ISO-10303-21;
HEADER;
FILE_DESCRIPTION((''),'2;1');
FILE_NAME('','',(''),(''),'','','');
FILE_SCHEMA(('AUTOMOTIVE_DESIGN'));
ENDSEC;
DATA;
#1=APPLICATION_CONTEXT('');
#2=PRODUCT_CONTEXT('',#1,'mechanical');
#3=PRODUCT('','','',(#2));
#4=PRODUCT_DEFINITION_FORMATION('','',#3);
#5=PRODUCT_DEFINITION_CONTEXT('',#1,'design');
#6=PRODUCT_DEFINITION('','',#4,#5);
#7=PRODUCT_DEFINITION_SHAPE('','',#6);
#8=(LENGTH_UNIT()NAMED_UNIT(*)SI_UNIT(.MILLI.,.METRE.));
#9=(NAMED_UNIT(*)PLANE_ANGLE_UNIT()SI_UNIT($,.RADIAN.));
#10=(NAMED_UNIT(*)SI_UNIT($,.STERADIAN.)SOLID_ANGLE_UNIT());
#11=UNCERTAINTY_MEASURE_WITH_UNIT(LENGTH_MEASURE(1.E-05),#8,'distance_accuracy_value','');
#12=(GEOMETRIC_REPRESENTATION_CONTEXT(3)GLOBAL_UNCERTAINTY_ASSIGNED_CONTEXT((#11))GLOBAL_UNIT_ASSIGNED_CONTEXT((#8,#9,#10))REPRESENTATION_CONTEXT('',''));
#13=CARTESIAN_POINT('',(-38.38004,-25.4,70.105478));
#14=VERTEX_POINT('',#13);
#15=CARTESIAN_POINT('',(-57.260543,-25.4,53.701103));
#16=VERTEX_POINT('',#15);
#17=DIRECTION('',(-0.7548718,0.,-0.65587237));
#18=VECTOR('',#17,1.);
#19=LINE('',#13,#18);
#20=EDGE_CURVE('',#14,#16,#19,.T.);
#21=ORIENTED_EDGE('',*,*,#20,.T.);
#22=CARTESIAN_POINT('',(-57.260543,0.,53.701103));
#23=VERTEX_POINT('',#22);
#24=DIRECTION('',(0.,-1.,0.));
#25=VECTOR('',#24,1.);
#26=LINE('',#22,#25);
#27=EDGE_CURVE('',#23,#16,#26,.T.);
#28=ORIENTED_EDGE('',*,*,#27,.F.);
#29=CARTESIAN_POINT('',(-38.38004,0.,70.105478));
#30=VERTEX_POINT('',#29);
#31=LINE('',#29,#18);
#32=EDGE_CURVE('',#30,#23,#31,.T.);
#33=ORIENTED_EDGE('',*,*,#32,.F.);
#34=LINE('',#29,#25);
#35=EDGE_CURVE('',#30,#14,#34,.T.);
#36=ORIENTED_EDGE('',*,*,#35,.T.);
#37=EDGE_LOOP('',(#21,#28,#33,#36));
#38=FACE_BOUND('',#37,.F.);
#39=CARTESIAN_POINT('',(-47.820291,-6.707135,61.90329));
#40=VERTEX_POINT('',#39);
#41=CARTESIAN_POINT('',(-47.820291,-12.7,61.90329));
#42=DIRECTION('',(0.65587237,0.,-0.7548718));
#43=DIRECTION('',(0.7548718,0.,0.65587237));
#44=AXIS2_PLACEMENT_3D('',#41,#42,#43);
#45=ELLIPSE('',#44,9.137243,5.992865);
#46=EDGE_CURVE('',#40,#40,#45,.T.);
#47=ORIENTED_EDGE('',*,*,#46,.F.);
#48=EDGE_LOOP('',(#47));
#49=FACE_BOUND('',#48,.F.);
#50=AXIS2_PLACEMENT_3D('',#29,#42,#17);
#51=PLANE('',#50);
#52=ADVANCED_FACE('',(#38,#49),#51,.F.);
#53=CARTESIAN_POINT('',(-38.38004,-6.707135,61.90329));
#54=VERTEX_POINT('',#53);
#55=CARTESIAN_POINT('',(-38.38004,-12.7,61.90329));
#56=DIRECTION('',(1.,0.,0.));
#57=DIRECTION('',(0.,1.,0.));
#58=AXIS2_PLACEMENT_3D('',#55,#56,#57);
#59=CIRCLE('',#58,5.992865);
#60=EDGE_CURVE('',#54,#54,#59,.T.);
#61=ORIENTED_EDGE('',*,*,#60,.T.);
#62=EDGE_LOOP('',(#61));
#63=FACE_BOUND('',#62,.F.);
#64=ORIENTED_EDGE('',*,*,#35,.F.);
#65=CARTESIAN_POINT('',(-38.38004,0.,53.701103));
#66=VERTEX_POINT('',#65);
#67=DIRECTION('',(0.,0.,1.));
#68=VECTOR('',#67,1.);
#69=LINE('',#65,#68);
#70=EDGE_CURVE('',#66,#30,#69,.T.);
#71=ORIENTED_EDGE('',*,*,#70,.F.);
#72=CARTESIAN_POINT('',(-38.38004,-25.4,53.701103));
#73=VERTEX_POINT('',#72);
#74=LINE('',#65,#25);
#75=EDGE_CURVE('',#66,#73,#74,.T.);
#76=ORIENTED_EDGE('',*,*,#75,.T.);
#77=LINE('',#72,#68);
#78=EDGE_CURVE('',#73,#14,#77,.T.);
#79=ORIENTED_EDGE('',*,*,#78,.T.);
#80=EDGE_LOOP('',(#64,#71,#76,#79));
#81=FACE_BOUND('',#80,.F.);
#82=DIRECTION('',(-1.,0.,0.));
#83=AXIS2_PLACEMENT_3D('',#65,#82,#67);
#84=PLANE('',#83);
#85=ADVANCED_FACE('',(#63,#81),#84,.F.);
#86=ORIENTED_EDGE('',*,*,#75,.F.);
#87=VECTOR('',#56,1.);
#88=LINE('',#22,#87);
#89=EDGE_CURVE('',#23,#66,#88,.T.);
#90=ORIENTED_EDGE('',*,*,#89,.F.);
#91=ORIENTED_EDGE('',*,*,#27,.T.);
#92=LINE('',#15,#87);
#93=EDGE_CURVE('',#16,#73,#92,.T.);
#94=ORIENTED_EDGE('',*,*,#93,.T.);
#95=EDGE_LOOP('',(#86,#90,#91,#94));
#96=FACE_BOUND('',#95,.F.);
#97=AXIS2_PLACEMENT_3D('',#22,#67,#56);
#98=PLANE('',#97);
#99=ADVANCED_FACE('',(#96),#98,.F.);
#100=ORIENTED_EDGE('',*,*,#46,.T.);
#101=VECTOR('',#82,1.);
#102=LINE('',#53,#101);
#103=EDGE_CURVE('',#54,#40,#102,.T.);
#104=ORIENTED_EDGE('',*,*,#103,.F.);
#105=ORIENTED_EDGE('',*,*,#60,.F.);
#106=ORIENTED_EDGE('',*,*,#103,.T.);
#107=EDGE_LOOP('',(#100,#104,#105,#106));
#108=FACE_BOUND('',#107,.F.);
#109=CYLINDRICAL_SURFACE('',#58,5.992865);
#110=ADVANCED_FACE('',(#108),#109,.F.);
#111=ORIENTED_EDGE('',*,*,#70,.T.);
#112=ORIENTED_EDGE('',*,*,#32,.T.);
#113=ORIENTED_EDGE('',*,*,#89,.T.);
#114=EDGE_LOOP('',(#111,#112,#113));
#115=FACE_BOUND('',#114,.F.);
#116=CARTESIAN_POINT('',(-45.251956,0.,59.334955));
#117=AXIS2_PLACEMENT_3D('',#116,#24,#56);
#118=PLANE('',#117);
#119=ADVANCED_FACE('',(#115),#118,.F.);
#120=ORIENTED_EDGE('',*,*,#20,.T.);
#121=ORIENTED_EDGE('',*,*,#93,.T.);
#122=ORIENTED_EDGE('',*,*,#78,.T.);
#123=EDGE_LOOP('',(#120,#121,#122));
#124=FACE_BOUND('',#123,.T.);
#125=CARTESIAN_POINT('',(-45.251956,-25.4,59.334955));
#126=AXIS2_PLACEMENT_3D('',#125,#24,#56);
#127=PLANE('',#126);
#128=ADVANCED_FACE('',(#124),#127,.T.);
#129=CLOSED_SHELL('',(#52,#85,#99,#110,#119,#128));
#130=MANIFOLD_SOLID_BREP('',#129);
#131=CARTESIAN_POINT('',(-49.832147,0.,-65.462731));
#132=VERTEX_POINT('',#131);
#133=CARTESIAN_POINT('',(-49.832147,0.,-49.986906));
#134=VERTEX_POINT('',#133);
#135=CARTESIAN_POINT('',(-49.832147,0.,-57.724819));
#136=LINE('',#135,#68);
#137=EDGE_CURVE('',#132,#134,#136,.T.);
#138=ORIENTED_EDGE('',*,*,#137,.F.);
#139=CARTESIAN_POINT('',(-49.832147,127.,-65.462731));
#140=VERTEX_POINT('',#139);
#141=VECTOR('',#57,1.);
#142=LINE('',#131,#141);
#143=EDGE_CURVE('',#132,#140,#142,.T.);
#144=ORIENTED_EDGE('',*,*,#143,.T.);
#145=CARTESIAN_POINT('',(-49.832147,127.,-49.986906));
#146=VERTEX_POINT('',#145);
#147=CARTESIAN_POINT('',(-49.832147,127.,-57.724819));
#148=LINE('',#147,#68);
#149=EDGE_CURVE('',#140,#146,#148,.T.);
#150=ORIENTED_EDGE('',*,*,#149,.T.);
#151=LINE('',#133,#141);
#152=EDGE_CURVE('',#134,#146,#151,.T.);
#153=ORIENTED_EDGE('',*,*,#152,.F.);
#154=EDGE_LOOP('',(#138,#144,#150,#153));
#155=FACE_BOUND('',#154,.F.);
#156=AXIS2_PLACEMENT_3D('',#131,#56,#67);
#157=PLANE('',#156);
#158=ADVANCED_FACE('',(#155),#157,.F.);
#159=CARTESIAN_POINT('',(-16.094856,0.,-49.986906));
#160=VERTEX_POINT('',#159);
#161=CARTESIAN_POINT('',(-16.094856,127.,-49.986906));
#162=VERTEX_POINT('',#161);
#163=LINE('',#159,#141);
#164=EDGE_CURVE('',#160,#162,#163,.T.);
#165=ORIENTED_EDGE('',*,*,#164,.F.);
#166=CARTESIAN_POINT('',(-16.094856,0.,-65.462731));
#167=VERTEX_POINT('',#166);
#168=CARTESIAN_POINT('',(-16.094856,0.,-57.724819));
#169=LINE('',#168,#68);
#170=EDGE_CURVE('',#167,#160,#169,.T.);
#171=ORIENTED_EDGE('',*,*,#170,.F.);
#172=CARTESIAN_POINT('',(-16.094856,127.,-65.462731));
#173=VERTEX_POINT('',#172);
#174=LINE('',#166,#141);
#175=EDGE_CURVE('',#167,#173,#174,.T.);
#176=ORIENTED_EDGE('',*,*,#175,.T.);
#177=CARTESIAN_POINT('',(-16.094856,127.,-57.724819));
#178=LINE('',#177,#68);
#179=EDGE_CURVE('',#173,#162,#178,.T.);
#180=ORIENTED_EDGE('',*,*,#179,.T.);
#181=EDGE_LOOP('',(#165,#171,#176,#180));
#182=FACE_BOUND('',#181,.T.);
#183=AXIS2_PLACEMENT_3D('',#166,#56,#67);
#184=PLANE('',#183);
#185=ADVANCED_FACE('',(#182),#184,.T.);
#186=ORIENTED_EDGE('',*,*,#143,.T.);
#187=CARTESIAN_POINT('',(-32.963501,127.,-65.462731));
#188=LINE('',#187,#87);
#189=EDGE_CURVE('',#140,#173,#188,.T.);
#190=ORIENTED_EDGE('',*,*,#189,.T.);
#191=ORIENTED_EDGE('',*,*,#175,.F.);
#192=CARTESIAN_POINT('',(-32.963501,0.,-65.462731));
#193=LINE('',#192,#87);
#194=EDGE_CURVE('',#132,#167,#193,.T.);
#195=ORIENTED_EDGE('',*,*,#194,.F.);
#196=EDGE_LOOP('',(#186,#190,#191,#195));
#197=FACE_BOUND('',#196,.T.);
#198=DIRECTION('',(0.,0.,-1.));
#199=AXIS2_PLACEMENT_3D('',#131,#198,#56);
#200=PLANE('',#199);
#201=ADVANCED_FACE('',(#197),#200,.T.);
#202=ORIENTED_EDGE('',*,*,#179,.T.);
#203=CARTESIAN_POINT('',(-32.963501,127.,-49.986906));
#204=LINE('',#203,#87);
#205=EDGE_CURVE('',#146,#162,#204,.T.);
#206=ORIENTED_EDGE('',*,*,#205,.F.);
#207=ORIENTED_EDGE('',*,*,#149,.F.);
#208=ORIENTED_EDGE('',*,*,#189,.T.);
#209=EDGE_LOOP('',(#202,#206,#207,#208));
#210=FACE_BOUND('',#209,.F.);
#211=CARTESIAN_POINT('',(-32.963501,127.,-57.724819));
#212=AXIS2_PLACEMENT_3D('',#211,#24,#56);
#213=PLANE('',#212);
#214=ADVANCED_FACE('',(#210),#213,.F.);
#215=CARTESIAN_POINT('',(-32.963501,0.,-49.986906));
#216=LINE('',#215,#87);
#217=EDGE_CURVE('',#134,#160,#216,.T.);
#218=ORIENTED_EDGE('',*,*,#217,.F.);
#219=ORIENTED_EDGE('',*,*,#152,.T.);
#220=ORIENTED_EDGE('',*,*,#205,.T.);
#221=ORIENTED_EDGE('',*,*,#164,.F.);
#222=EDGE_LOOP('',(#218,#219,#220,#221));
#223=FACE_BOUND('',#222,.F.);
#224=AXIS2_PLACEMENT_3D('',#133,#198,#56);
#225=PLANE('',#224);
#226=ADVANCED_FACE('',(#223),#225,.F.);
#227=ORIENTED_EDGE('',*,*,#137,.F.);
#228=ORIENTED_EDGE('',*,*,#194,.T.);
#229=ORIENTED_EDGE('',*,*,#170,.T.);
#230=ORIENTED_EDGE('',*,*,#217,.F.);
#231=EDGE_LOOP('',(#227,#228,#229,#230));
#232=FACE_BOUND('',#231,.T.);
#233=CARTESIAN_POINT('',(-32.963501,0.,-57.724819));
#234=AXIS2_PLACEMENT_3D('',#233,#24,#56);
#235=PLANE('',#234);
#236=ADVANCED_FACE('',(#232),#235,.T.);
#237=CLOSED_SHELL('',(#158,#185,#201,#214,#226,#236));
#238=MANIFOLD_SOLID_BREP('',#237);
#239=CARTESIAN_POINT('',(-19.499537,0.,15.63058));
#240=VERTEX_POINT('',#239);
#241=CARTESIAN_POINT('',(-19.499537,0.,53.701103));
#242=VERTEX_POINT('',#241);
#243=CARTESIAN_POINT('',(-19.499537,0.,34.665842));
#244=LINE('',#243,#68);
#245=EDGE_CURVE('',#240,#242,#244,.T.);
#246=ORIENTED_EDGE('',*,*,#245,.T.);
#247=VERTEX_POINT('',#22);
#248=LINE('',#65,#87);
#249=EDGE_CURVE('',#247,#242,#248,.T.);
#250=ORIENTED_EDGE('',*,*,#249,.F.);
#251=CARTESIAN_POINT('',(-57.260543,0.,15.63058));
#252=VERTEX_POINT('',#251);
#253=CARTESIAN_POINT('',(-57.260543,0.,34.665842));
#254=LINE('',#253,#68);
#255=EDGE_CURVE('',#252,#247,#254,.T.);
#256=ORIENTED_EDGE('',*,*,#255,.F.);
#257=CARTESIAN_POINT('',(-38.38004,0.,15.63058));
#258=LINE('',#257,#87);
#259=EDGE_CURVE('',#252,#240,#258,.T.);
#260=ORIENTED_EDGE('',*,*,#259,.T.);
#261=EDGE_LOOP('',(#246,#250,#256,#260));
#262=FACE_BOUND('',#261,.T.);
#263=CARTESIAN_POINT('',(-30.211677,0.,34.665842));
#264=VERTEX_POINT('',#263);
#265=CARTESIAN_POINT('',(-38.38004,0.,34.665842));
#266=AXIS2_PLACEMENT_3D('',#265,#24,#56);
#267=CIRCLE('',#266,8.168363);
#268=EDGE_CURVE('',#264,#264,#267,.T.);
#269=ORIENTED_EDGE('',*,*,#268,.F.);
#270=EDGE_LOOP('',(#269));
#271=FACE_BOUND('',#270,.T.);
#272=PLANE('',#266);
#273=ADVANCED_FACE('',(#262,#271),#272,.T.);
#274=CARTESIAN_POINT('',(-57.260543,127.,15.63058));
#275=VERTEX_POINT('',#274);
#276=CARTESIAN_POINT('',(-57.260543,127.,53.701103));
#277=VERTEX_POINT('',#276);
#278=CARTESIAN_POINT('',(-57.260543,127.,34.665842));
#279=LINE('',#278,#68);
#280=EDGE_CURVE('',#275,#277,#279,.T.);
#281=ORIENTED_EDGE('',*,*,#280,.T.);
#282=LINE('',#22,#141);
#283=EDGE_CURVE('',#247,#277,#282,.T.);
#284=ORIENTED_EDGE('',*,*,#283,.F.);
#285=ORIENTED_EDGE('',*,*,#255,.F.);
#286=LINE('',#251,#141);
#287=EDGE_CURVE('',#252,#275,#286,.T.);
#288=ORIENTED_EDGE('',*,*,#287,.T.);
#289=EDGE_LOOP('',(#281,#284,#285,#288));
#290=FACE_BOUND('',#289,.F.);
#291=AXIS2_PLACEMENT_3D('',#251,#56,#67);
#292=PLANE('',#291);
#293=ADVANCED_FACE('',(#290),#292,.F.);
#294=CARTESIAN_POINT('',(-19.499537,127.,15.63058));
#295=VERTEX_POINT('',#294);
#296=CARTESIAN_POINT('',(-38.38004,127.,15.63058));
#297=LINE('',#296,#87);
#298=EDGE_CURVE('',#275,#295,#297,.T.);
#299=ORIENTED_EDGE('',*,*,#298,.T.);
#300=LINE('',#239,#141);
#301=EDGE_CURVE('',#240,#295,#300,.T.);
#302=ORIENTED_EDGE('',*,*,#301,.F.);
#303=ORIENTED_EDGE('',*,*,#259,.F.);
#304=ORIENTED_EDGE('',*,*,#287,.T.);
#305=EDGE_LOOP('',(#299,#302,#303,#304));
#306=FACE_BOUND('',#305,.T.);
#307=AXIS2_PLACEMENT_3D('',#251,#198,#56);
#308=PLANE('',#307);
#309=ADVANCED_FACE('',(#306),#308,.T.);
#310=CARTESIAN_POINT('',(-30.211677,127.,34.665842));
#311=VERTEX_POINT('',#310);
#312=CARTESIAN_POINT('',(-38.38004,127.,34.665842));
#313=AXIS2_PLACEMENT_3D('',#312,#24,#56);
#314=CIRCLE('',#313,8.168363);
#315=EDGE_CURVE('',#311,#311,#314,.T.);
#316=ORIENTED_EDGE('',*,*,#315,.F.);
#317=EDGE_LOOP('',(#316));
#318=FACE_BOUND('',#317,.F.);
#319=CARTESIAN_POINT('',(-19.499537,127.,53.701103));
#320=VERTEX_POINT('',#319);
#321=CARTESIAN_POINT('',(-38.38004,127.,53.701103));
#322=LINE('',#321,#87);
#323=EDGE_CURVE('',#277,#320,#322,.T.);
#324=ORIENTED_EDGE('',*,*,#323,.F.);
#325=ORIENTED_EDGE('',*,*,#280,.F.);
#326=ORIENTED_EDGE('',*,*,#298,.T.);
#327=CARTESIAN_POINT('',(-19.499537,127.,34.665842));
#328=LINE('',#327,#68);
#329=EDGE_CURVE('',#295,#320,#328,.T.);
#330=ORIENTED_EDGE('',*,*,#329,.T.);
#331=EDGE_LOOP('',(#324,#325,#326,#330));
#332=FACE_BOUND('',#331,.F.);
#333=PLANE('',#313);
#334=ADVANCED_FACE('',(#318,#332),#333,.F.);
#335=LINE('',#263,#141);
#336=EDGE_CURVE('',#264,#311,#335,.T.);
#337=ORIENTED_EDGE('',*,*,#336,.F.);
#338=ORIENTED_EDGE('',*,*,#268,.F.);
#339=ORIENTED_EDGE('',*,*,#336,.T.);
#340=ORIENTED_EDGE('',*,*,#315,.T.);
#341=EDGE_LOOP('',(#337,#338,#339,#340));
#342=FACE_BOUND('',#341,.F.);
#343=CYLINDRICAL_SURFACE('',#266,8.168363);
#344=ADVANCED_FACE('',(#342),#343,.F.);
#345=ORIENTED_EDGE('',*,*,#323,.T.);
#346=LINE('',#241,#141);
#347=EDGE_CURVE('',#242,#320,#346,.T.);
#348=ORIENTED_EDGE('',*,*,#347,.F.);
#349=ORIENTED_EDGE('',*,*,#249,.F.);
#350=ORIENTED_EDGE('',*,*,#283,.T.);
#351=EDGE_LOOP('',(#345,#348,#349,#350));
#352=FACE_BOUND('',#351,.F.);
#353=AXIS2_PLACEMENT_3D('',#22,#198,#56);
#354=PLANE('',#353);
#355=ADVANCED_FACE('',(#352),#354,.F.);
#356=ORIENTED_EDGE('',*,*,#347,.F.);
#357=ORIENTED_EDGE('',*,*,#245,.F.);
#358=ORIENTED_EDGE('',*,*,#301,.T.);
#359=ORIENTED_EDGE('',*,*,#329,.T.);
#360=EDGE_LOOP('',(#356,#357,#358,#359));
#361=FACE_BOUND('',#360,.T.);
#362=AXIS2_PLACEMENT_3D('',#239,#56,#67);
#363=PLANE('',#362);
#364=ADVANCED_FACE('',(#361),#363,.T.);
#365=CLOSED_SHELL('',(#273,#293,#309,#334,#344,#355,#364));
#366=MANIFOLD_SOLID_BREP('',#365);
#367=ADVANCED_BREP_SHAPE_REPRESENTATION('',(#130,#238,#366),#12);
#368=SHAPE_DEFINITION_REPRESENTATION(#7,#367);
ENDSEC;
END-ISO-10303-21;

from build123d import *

# Parameters (mm, degrees)
F0_W     = 33.7372906506
F0_H     = 15.4758244753
F1_DEPTH = 127
F0_W_2   = 37.7610065043
F0_H_2   = 38.0705222487
F2_R     = 8.1683633369
F3_DEPTH = 127.001
F5_DEPTH = 25.4
F6_R     = 5.9928653271
F8_DEPTH = 25.4


with BuildPart() as f1:
    # F0 (on Front) → F1 (new body)
    with BuildSketch(Plane.XZ):
        with Locations((-32.9635012895, -57.7248185873)):
            Rectangle(F0_W, F0_H)
    extrude(amount=-F1_DEPTH)


with BuildPart() as f1b:
    # F0 (on Front) → F1, piece 2 (new body)
    with BuildSketch(Plane.XZ):
        with Locations((-38.3800398558, 34.6658416092)):
            Rectangle(F0_W_2, F0_H_2)
    extrude(amount=-F1_DEPTH)

    # F2 (on face) → F3 (cut, through all)
    with BuildSketch(Plane.XZ):
        with Locations((-38.3800398558, 34.6658416092)):
            Circle(F2_R)
    extrude(amount=-F3_DEPTH, mode=Mode.SUBTRACT)


with BuildPart() as f5:
    # F4 (on face) → F5 (new body)
    with BuildSketch(Plane.XZ):
        Polygon((-57.260543108, 53.7011027336), (-38.3800398558, 53.7011027336), (-38.3800398558, 70.1054781675), align=None)
    extrude(amount=F5_DEPTH)

    # F6 (on face) → F8 (cut)
    with BuildSketch(Plane.YZ.offset(-38.3800398558)):
        with Locations((-12.7, 61.9032904506)):
            Circle(F6_R)
    extrude(amount=-F8_DEPTH, mode=Mode.SUBTRACT)


solid = Compound([f1.part, f1b.part, f5.part])
